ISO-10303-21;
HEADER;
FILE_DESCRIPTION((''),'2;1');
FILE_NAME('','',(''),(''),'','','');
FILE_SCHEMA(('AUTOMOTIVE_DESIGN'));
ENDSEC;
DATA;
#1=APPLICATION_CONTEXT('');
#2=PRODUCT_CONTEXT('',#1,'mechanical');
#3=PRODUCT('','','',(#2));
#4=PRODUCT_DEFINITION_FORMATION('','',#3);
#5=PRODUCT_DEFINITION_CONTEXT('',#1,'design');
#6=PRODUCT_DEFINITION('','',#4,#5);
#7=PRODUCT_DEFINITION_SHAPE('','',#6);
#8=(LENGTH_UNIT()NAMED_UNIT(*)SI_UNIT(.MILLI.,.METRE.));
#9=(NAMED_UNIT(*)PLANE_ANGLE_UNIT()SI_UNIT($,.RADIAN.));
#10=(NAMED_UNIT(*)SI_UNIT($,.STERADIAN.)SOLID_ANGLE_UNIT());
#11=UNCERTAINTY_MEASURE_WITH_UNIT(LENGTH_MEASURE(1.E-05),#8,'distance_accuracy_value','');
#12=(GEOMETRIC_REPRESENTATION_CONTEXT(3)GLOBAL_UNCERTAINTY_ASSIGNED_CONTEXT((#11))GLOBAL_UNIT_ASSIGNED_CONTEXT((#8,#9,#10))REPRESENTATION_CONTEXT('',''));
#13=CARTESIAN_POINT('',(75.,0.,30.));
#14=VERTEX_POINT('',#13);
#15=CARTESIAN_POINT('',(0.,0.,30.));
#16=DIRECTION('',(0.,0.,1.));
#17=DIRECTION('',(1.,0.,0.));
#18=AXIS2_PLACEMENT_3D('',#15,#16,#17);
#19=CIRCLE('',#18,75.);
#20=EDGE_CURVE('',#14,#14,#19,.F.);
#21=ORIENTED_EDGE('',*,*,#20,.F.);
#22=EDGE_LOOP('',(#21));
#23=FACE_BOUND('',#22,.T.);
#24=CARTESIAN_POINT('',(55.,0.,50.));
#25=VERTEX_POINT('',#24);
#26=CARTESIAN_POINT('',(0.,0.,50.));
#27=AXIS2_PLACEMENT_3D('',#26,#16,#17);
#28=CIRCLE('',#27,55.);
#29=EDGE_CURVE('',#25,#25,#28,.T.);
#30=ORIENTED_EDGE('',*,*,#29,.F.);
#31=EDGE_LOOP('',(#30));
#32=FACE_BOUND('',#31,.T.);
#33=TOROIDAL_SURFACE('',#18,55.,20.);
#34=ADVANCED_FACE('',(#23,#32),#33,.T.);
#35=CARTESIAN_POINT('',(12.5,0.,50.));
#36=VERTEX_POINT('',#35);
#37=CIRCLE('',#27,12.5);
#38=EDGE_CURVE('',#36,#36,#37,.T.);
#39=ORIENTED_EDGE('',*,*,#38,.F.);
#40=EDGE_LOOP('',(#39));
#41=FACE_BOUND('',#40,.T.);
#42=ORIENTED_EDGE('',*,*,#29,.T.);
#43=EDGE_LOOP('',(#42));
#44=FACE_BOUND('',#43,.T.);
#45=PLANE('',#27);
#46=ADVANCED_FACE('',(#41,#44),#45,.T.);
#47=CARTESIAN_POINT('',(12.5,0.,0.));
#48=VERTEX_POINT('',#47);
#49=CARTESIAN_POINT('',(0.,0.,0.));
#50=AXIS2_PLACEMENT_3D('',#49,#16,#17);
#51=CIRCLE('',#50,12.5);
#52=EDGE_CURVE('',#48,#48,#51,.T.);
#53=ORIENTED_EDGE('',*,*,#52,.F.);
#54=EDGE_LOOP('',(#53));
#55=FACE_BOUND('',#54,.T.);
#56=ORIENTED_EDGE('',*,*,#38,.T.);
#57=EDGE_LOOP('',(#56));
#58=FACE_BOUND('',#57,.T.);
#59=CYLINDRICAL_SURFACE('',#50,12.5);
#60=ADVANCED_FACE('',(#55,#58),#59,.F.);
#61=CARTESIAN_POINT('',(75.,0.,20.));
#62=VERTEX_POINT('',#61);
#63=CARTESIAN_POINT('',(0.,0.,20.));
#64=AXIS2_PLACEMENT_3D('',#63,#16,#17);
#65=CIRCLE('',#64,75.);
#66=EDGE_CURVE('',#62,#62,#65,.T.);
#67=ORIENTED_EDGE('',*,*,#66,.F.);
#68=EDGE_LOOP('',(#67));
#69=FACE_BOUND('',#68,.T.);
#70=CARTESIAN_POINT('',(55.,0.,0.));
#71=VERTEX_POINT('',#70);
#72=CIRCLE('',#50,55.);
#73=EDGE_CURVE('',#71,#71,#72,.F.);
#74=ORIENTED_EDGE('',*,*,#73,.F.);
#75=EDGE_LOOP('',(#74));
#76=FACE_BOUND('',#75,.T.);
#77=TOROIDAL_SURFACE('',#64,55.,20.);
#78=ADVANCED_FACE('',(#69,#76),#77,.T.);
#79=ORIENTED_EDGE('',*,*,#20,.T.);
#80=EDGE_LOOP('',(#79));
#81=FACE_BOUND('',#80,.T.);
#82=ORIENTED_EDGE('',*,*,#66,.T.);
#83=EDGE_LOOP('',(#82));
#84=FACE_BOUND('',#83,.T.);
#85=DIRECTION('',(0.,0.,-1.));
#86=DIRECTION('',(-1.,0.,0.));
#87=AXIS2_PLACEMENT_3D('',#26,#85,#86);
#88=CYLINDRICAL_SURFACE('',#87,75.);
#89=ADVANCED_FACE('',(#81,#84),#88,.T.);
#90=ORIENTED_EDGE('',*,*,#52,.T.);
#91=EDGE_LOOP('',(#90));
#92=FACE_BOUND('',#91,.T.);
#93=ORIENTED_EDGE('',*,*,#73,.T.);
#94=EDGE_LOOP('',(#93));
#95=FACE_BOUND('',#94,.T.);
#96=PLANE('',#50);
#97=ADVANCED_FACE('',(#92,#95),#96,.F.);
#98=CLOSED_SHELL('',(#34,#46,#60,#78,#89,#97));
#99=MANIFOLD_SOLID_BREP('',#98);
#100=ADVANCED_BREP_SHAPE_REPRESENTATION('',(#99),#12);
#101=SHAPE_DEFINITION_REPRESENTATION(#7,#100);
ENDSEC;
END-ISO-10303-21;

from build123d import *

# Parameters (mm, degrees)
SKETCH1_R           = 75
BOSS_EXTRUDE1_DEPTH = 50
FILLET2_R           = 20
FILLET3_R           = 20
SKETCH2_R           = 12.5
CUT_EXTRUDE1_DEPTH  = 51


with BuildPart() as part:
    # Sketch1 → Boss-Extrude1 (new body)
    with BuildSketch(Plane.XY):
        Circle(SKETCH1_R)
    extrude(amount=BOSS_EXTRUDE1_DEPTH)

    # Fillet2
    fillet2_edges = [part.edges().sort_by_distance(p)[0] for p in [
        (-75, 0, 50),
    ]]
    fillet(fillet2_edges, radius=FILLET2_R)

    # Fillet3
    fillet3_edges = [part.edges().sort_by_distance(p)[0] for p in [
        (-75, 0, 0),
    ]]
    fillet(fillet3_edges, radius=FILLET3_R)

    # Sketch2 → Cut-Extrude1 (cut, through all)
    with BuildSketch(Plane.XY.offset(50)):
        Circle(SKETCH2_R)
    extrude(amount=-CUT_EXTRUDE1_DEPTH, mode=Mode.SUBTRACT)


solid = part.part
